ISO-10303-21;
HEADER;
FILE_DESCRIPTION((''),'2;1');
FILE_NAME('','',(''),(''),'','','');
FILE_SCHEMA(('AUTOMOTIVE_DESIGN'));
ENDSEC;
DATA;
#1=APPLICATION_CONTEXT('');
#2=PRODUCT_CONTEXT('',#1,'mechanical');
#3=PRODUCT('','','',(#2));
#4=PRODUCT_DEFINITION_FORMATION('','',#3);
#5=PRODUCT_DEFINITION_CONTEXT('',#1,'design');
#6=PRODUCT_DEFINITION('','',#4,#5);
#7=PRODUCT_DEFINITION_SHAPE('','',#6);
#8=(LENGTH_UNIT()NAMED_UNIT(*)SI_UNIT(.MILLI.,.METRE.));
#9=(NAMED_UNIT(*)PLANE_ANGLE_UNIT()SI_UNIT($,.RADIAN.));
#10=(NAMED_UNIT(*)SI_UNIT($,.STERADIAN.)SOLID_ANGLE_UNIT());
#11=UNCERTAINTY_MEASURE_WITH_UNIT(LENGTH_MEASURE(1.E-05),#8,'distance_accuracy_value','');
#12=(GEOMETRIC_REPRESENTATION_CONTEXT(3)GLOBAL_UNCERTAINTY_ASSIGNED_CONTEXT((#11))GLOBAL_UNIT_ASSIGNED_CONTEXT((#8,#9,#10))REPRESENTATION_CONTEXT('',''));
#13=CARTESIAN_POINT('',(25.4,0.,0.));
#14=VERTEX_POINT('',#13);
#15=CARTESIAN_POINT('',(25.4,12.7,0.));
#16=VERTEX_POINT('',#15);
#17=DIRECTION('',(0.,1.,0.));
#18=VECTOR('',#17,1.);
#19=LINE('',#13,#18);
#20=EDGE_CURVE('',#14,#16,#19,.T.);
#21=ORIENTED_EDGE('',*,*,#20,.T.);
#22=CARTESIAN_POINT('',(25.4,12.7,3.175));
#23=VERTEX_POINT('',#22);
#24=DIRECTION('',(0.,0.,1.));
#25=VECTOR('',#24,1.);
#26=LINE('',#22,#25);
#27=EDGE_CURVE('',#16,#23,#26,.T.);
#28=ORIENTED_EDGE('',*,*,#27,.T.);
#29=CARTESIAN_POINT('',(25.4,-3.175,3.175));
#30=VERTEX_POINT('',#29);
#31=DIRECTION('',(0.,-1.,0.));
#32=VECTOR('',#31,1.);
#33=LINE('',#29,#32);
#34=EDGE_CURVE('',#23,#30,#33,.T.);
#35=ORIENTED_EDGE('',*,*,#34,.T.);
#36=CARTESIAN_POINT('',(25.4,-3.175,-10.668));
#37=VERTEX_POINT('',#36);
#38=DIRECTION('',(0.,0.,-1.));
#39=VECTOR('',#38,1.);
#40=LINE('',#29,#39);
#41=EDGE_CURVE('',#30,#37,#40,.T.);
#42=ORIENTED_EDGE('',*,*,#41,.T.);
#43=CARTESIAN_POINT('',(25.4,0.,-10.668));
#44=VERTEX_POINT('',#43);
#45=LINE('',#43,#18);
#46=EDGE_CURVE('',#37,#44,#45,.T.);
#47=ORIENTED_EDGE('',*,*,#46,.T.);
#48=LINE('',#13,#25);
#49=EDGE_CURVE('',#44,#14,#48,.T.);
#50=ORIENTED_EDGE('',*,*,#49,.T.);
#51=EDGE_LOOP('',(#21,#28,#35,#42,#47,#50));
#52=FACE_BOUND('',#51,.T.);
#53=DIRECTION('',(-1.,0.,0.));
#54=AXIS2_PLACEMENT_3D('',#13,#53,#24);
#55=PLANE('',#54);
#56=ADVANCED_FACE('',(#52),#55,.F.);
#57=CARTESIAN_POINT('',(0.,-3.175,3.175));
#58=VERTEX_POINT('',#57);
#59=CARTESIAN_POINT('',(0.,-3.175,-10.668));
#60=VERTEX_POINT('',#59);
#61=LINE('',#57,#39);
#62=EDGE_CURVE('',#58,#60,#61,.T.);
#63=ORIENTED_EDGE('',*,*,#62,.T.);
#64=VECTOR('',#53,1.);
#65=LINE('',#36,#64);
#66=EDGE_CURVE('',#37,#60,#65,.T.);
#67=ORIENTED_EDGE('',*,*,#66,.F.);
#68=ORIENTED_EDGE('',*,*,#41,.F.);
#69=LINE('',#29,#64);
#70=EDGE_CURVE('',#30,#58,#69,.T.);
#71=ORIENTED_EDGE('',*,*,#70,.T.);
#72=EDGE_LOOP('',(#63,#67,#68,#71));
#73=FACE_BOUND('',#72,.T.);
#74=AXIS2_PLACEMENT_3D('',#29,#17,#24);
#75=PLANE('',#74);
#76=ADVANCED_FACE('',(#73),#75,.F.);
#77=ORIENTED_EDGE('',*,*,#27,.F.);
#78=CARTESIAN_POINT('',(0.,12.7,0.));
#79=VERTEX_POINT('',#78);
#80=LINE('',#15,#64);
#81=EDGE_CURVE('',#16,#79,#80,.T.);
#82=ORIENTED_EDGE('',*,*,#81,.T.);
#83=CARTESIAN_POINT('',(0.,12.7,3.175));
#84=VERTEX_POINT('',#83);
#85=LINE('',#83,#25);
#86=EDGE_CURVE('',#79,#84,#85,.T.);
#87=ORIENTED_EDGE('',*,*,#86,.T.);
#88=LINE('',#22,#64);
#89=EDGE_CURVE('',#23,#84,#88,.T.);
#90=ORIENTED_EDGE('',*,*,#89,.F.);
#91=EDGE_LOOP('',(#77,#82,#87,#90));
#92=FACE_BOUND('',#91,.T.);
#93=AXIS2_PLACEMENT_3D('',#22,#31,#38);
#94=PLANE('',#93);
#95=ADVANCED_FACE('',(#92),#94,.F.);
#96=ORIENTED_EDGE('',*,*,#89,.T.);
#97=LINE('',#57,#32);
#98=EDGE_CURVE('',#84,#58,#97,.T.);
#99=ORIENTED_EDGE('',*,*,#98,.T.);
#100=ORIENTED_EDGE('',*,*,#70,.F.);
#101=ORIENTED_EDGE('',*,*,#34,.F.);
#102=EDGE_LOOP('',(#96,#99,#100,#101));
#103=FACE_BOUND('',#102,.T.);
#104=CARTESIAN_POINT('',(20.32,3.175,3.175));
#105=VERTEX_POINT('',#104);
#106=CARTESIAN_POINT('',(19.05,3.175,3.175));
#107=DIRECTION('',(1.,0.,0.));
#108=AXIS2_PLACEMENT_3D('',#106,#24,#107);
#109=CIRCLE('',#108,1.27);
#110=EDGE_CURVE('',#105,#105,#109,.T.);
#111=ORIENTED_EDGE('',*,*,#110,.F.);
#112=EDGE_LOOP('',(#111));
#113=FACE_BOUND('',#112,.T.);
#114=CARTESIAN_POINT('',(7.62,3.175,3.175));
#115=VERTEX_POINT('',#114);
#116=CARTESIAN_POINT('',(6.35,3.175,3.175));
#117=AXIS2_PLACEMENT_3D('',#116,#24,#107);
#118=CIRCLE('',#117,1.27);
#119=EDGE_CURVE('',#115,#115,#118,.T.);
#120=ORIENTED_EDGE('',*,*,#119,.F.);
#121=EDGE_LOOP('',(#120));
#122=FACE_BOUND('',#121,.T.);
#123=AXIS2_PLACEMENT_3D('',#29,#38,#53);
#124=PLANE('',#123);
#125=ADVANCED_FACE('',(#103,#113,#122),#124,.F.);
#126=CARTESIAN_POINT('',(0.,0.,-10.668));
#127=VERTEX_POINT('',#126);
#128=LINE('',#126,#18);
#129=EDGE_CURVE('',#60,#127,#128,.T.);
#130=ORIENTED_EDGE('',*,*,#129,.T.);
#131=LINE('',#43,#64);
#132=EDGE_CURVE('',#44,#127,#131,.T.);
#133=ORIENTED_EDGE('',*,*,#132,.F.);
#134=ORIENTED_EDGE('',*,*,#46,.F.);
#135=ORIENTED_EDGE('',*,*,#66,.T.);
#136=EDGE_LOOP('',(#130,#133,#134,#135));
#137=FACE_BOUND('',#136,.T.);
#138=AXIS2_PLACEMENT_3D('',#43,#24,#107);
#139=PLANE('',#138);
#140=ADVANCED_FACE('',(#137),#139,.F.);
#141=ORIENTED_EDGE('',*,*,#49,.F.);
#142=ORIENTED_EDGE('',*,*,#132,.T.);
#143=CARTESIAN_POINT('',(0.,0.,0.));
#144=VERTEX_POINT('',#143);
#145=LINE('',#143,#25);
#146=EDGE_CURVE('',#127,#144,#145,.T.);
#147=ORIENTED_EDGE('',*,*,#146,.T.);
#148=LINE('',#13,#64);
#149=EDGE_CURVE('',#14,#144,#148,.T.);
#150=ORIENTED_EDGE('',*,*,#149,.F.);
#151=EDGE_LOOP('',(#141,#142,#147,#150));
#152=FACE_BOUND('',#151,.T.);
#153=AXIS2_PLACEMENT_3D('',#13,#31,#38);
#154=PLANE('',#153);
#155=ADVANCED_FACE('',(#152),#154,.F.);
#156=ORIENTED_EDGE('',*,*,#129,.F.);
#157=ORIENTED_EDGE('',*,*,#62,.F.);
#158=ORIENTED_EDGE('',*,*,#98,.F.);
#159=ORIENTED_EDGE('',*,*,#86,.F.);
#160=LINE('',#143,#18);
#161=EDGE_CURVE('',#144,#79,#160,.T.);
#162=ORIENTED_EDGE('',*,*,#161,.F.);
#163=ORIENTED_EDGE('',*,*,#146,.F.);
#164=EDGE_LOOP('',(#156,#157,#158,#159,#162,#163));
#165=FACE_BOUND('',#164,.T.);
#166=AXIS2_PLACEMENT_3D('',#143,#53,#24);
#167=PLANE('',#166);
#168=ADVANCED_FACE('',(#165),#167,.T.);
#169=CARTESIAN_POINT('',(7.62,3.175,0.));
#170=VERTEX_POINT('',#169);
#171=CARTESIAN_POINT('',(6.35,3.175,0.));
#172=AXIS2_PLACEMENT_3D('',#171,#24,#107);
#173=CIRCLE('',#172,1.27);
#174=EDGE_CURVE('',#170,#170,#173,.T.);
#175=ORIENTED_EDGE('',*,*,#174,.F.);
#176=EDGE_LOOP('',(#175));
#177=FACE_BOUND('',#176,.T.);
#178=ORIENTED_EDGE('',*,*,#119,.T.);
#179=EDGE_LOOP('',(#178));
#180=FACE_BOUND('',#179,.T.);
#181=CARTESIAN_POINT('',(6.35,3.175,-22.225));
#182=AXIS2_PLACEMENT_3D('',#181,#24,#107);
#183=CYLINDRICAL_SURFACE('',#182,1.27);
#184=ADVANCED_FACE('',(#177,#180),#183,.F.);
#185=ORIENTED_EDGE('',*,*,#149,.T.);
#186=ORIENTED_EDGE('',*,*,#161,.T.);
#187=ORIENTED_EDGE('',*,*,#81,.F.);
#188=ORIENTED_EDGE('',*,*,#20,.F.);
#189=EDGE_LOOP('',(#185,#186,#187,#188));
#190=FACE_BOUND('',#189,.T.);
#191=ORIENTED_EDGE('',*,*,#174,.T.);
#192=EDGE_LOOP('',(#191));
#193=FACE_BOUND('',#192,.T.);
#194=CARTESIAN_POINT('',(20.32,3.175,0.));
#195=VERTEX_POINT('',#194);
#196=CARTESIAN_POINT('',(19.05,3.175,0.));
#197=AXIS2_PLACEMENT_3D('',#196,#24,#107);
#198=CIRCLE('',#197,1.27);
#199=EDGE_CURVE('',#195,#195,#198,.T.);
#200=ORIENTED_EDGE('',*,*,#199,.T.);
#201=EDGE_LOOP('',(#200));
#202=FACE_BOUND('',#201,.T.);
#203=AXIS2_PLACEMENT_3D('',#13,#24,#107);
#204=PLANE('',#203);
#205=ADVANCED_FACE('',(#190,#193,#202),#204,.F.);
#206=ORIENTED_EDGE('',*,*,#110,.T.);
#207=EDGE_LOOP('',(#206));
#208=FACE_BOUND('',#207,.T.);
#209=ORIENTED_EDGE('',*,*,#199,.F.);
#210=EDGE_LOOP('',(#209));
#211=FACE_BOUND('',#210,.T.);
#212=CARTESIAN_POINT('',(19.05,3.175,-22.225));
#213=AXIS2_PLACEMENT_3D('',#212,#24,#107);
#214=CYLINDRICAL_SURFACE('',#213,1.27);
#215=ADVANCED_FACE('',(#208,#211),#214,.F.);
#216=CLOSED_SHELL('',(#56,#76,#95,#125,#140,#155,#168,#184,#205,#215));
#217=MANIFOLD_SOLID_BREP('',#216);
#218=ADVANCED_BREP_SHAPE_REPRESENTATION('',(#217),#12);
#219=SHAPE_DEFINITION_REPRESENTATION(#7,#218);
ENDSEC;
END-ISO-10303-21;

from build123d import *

# Parameters (mm, degrees)
BOSS_EXTRUDE1_DEPTH = 25.4
SKETCH2_R           = 1.27
CUT_EXTRUDE1_DEPTH  = 25.4


with BuildPart() as part:
    # Sketch1 → Boss-Extrude1 (new body)
    with BuildSketch(Plane(origin=(0, 0, 0), x_dir=(0, 0, -1), z_dir=(1, 0, 0))):
        Polygon((0, 0), (0, 12.7), (-3.175, 12.7), (-3.175, -3.175), (10.668, -3.175), (10.668, 0), align=None)
    extrude(amount=BOSS_EXTRUDE1_DEPTH)

    # Sketch2 → Cut-Extrude1 (cut)
    with BuildSketch(Plane.XY.offset(3.175)):
        with Locations((6.35, 3.175)):
            Circle(SKETCH2_R)
        with Locations((19.05, 3.175)):
            Circle(SKETCH2_R)
    extrude(amount=-CUT_EXTRUDE1_DEPTH, mode=Mode.SUBTRACT)


solid = part.part
